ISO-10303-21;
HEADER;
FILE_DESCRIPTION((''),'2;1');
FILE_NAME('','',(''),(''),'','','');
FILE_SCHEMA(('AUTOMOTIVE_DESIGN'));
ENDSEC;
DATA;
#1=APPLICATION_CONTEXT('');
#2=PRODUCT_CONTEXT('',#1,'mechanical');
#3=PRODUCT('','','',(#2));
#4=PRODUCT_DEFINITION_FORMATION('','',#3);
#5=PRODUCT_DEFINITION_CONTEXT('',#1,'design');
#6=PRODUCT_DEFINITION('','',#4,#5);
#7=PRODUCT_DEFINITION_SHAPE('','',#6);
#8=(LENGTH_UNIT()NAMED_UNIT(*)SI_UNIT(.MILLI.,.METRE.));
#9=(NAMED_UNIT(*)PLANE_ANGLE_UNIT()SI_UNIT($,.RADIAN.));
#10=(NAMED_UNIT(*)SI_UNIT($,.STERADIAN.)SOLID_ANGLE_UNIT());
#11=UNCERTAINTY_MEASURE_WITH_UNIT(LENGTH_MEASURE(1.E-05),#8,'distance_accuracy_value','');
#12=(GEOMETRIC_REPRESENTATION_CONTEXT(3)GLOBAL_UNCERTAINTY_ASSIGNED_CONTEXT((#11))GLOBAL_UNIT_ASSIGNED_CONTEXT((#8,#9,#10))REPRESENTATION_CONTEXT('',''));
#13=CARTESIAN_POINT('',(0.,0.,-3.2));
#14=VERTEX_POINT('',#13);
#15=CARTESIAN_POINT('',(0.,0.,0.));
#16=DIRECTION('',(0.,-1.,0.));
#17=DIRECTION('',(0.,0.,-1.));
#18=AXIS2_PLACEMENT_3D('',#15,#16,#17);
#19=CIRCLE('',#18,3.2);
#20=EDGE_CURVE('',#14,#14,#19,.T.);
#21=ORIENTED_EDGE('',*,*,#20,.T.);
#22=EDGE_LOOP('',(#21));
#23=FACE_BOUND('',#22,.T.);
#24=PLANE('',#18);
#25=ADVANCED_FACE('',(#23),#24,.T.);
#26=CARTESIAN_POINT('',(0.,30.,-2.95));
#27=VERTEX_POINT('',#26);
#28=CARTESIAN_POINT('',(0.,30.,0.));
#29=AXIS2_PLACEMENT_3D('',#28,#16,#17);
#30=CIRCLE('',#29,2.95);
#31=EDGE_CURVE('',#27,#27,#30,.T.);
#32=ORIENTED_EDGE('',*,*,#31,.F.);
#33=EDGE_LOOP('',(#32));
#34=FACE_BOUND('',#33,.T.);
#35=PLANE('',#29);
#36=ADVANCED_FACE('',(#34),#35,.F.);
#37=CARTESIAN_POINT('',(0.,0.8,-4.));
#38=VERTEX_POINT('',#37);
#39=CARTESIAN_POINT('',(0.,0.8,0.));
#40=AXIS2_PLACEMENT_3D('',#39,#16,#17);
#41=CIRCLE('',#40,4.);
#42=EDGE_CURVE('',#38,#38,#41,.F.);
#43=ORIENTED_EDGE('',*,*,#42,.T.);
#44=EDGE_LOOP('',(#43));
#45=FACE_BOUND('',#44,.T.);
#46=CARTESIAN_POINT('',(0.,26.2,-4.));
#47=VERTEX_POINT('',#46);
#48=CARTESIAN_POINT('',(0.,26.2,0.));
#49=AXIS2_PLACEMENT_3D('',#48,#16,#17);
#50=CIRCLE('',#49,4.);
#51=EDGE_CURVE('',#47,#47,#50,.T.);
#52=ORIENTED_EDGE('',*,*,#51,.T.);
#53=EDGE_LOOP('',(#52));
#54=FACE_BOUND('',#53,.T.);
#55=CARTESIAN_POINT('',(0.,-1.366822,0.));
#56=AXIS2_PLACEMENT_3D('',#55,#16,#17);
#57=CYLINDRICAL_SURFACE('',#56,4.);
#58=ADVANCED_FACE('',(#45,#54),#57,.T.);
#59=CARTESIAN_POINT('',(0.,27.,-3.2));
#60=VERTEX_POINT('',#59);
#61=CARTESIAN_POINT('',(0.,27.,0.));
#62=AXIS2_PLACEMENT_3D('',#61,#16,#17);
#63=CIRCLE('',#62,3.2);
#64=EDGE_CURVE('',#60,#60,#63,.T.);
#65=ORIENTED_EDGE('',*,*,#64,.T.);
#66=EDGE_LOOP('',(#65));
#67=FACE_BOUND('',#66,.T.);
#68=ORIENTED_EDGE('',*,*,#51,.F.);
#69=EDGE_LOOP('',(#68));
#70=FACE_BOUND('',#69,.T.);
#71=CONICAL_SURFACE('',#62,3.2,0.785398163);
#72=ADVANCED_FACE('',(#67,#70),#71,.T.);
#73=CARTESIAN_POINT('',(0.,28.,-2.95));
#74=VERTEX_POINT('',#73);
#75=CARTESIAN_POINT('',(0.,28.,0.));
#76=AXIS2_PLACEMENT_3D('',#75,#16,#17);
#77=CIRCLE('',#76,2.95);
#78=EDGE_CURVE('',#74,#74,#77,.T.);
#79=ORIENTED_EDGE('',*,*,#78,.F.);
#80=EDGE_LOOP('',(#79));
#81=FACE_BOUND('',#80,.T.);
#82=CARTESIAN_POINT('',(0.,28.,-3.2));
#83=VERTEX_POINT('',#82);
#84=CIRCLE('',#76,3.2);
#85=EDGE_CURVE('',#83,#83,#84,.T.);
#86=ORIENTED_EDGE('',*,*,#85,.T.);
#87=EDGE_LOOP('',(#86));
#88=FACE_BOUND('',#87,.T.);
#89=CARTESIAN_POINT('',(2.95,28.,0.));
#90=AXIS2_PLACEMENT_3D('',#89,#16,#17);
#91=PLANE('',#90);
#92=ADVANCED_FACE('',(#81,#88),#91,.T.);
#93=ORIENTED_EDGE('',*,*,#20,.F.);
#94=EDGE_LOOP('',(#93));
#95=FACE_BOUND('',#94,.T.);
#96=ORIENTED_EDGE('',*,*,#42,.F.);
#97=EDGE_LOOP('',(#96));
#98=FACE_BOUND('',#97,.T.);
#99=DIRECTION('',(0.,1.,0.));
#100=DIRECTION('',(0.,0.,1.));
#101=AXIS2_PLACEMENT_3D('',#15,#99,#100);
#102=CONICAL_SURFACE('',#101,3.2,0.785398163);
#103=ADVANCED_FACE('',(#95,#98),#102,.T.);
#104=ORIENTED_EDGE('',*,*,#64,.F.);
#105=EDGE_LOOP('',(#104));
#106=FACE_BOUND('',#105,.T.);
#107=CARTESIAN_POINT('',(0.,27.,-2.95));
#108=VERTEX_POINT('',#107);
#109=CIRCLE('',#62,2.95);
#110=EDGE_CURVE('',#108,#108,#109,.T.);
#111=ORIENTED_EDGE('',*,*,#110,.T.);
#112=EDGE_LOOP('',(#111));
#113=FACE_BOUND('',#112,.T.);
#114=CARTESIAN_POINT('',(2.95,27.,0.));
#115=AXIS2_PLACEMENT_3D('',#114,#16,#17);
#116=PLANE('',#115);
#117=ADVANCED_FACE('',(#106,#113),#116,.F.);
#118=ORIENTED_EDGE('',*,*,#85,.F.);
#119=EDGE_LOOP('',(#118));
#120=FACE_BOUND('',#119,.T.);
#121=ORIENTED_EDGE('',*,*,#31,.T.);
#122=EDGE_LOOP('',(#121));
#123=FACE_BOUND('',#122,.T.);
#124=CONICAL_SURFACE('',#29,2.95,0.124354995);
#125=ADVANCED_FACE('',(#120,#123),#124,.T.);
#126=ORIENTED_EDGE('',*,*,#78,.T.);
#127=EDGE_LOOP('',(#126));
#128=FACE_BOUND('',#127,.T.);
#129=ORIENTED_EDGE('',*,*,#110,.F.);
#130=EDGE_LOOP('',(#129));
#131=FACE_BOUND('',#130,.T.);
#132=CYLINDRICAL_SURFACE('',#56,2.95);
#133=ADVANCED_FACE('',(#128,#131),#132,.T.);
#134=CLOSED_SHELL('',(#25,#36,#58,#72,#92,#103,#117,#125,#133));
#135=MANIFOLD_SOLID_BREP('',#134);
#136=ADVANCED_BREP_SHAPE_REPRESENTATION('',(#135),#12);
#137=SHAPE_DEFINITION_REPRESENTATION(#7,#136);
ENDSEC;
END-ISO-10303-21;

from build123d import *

# Parameters (mm, degrees)
CHANFREIN1_SIZE = 0.8


with BuildPart() as part:
    # Esquisse1 → Base-Révolution (revolve)
    with BuildSketch(Plane.XY, mode=Mode.PRIVATE) as base_r_volution_sk:
        Polygon((2.95, 28), (3.2, 28), (2.95, 30), (0, 30), (0, 0), (4, 0), (4, 26.2), (3.2, 27), (2.95, 27), align=None)
    revolve(base_r_volution_sk.sketch.rotate(Axis((0, -1.36682243, 0), (0, 1, 0)), 90), axis=Axis((0, -1.36682243, 0), (0, 1, 0)))  # turned: the seam where the file's is

    # Chanfrein1
    chanfrein1_edges = [part.edges().sort_by_distance(p)[0] for p in [
        (0, 0, 4),
    ]]
    chamfer(chanfrein1_edges, length=CHANFREIN1_SIZE)


solid = part.part
